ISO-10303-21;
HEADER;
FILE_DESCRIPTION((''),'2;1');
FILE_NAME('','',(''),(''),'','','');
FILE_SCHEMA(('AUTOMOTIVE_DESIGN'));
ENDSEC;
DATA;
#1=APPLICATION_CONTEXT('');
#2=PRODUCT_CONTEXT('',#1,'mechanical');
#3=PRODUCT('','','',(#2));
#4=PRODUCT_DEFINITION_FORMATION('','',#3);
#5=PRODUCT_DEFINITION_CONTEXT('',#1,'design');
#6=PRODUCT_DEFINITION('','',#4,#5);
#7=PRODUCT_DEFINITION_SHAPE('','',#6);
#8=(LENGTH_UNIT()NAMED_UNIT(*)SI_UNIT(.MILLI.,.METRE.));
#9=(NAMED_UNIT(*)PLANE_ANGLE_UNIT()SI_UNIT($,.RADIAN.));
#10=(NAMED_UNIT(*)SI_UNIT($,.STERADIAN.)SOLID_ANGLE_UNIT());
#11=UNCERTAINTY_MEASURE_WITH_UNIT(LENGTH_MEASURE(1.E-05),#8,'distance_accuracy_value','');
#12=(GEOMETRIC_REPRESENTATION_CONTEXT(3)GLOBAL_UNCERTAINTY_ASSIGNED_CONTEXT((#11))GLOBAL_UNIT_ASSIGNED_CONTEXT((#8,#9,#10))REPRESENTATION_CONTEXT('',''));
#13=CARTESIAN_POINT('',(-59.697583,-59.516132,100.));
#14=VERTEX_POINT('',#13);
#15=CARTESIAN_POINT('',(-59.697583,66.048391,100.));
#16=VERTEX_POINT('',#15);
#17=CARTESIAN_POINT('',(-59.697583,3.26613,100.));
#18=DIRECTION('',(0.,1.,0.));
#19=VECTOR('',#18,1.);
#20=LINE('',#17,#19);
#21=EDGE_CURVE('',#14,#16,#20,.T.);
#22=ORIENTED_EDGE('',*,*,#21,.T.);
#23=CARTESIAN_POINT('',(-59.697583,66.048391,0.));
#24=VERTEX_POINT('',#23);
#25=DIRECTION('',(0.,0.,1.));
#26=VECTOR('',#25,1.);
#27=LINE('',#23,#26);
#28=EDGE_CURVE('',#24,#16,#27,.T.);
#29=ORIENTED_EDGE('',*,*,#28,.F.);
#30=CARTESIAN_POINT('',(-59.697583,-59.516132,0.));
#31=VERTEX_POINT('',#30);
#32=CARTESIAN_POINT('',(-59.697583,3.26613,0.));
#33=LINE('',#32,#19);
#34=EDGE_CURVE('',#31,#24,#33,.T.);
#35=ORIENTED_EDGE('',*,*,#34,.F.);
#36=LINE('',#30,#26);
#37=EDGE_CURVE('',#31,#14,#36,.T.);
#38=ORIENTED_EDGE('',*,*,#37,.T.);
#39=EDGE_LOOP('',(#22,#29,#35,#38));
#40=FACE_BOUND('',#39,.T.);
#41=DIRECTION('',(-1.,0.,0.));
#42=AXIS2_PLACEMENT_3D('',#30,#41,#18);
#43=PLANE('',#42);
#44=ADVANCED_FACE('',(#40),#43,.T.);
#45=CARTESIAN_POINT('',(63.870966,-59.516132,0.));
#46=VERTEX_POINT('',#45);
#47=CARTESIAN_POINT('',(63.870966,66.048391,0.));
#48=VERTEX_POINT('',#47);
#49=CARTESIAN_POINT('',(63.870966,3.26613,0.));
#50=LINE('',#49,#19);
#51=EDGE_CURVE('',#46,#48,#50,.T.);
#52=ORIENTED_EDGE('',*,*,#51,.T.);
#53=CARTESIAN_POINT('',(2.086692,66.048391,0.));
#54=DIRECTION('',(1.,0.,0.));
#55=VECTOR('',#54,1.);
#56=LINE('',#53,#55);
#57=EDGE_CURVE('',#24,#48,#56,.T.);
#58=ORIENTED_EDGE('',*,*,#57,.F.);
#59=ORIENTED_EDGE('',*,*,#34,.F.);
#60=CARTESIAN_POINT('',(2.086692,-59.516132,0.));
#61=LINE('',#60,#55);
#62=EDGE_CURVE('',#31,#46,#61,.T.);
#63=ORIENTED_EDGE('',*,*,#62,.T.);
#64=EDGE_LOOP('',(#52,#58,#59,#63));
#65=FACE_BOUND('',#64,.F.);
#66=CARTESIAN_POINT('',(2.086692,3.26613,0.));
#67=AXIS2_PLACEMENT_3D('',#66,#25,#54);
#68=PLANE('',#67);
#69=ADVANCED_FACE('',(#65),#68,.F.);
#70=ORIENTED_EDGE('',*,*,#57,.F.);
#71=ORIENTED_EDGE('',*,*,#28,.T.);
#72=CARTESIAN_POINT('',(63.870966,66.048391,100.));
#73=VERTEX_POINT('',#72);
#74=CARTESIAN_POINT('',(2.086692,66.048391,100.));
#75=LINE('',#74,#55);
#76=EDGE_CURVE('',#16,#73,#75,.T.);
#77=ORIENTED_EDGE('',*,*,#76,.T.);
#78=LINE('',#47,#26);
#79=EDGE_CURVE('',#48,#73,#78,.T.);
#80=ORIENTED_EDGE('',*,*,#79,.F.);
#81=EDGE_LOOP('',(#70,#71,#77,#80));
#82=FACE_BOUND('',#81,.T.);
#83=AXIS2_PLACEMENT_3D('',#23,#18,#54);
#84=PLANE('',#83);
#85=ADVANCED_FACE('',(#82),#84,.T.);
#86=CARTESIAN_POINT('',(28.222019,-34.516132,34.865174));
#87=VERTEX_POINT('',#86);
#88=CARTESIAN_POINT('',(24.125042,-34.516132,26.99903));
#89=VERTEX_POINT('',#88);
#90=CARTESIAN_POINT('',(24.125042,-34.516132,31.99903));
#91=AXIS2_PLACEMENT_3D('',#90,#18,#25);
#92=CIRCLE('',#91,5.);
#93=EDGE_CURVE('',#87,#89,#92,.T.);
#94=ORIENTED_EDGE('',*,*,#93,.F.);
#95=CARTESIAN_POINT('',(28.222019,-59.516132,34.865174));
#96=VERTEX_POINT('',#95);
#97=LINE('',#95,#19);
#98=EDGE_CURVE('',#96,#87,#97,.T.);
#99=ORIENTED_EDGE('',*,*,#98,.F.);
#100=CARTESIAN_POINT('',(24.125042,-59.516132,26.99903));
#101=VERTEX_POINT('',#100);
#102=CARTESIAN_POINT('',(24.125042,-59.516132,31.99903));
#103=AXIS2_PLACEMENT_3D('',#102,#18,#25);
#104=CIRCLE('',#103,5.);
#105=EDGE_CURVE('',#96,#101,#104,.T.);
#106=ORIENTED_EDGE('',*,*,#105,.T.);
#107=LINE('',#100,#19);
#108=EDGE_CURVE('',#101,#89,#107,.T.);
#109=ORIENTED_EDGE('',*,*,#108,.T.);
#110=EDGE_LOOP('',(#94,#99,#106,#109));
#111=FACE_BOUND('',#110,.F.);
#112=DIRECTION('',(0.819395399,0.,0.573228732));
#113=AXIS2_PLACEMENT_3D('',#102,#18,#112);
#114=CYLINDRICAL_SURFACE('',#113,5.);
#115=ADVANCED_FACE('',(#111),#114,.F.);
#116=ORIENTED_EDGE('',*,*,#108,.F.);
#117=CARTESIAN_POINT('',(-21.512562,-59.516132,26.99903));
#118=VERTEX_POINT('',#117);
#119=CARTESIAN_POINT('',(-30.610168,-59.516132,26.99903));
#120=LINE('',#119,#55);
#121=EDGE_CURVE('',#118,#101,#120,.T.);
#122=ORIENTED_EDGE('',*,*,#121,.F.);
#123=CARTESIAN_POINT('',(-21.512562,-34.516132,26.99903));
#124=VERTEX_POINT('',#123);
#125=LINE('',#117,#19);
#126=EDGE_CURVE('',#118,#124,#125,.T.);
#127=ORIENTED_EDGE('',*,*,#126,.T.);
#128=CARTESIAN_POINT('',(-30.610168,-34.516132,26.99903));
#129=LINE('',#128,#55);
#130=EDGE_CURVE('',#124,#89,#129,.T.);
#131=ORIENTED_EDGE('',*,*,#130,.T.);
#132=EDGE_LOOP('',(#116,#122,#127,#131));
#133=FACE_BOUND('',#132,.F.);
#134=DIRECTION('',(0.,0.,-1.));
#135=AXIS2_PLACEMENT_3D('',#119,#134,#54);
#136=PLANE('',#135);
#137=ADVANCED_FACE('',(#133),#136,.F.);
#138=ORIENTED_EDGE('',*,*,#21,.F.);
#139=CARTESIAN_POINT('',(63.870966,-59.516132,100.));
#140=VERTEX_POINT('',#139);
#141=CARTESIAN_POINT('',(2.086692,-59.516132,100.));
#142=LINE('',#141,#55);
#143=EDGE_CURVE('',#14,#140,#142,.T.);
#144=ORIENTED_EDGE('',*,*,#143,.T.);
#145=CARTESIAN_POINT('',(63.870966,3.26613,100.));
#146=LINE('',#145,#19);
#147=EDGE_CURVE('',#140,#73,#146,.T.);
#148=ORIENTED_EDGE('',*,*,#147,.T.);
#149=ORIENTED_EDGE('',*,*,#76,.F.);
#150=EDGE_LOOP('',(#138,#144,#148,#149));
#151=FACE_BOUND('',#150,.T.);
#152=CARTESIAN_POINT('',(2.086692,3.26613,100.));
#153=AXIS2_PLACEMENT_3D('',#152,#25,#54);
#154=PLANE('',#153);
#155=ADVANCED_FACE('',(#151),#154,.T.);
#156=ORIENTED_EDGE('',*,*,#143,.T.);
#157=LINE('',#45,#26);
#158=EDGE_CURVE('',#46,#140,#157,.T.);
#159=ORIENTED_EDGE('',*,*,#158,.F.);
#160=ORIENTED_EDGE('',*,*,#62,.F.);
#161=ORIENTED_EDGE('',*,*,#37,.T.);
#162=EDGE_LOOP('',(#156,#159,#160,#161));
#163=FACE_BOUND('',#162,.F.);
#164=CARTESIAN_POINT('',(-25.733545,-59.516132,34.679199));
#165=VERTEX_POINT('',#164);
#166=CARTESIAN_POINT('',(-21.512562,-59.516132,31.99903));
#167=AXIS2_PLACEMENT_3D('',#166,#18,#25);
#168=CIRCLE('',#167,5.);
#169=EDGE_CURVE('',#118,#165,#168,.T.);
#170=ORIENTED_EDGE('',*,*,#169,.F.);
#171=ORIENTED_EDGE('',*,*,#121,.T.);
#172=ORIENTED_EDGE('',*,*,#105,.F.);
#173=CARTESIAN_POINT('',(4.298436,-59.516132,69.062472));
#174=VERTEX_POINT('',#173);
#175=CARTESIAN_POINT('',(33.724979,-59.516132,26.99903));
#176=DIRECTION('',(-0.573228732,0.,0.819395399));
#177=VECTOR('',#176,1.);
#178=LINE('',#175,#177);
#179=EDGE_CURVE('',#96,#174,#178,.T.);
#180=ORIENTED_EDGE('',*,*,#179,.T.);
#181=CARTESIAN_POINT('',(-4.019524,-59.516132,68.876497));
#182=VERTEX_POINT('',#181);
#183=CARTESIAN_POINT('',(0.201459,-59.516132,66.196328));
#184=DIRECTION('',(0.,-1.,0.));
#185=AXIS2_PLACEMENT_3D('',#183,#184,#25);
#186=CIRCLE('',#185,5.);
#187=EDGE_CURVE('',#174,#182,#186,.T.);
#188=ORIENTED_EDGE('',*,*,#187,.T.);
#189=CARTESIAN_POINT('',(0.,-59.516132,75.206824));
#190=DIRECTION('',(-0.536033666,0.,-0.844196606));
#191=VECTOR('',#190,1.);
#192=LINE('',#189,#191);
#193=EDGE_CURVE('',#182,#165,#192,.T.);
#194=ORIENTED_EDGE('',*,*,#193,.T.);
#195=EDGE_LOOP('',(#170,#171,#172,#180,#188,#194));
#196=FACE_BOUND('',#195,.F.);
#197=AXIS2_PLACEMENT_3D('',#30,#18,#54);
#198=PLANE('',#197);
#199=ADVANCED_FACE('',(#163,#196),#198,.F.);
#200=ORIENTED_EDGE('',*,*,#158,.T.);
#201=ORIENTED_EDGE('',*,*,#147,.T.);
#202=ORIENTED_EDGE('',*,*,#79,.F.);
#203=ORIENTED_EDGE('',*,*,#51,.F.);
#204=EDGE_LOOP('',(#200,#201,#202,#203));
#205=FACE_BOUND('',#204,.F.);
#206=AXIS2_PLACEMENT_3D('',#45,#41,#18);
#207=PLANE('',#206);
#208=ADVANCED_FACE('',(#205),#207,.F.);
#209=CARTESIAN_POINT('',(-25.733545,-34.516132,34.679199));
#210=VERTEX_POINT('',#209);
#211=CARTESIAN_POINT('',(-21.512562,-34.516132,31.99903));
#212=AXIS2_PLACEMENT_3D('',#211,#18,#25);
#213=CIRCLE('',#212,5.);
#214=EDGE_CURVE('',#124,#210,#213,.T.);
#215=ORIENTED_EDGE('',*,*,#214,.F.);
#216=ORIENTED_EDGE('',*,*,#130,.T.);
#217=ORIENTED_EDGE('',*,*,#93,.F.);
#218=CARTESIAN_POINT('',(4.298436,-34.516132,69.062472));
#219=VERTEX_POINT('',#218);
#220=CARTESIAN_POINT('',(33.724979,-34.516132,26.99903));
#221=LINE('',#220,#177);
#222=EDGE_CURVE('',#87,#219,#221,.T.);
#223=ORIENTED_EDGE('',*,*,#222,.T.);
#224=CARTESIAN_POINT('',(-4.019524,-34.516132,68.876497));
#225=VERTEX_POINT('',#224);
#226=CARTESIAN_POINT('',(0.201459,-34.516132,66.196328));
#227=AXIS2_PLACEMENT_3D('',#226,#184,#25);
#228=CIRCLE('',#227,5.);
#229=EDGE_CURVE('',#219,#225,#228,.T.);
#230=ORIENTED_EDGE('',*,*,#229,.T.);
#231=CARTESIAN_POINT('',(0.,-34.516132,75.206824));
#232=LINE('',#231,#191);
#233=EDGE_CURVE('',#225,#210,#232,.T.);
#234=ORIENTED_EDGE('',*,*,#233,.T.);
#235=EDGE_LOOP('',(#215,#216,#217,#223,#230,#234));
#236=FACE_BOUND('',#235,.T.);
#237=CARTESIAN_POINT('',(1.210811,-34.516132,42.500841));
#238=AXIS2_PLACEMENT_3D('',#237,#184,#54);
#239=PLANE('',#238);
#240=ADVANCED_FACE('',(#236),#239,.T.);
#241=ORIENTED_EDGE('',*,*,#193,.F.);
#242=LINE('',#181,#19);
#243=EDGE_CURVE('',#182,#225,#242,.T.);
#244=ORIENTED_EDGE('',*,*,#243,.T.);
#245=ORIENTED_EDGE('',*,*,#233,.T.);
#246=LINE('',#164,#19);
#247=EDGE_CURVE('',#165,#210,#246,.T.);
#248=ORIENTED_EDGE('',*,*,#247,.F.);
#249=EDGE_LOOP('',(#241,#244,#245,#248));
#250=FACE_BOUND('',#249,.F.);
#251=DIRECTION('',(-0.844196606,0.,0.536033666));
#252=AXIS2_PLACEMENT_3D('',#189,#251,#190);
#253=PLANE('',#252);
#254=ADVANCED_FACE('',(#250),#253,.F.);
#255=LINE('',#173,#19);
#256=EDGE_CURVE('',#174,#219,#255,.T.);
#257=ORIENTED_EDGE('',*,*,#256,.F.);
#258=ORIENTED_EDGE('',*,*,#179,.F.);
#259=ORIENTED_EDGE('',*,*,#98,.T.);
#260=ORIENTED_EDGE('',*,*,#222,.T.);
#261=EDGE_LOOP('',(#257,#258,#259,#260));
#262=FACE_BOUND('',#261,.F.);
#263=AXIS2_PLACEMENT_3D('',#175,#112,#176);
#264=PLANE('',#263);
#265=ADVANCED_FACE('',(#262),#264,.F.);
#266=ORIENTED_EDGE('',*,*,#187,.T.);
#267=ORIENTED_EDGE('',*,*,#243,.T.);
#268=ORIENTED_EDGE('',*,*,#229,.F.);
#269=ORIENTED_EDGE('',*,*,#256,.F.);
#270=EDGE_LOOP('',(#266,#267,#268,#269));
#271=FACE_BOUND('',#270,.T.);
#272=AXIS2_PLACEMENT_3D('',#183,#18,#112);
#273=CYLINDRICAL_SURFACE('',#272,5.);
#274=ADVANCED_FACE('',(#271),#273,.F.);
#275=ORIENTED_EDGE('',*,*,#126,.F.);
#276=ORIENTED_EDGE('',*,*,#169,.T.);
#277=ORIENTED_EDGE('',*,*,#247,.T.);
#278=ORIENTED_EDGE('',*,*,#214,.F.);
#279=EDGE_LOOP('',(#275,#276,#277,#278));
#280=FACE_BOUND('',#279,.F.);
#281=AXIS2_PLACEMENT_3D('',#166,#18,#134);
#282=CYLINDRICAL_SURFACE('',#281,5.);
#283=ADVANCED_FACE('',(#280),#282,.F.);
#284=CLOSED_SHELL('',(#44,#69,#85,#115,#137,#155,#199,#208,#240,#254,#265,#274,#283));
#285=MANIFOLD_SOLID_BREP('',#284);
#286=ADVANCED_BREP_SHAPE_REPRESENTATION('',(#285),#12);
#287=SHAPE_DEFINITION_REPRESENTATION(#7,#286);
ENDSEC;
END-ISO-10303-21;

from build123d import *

# Parameters (mm, degrees)
F0_W     = 123.5685497522
F0_H     = 125.5645230412
F1_DEPTH = 100
F3_DEPTH = 25
F4_R     = 5


with BuildPart() as f1:
    # F0 (on Top) → F1 (new body)
    with BuildSketch(Plane.XY):
        with Locations((2.0866915584, 3.2661296427)):
            Rectangle(F0_W, F0_H)
    extrude(amount=F1_DEPTH)

    # F2 (on face) → F3 (cut)
    with BuildSketch(Plane.XZ.offset(59.5161318779)):
        Polygon((0, 75.206823647), (-30.6101683527, 26.9990302622), (33.7249785662, 26.9990302622), align=None)
    extrude(amount=-F3_DEPTH, mode=Mode.SUBTRACT)

    # F4
    f4_edges = [f1.edges().sort_by_distance(p)[0] for p in [
        (0, -47.016132, 75.206824),
        (-30.610168, -47.016132, 26.99903),
        (33.724979, -47.016132, 26.99903),
    ]]
    fillet(f4_edges, radius=F4_R)


solid = f1.part
